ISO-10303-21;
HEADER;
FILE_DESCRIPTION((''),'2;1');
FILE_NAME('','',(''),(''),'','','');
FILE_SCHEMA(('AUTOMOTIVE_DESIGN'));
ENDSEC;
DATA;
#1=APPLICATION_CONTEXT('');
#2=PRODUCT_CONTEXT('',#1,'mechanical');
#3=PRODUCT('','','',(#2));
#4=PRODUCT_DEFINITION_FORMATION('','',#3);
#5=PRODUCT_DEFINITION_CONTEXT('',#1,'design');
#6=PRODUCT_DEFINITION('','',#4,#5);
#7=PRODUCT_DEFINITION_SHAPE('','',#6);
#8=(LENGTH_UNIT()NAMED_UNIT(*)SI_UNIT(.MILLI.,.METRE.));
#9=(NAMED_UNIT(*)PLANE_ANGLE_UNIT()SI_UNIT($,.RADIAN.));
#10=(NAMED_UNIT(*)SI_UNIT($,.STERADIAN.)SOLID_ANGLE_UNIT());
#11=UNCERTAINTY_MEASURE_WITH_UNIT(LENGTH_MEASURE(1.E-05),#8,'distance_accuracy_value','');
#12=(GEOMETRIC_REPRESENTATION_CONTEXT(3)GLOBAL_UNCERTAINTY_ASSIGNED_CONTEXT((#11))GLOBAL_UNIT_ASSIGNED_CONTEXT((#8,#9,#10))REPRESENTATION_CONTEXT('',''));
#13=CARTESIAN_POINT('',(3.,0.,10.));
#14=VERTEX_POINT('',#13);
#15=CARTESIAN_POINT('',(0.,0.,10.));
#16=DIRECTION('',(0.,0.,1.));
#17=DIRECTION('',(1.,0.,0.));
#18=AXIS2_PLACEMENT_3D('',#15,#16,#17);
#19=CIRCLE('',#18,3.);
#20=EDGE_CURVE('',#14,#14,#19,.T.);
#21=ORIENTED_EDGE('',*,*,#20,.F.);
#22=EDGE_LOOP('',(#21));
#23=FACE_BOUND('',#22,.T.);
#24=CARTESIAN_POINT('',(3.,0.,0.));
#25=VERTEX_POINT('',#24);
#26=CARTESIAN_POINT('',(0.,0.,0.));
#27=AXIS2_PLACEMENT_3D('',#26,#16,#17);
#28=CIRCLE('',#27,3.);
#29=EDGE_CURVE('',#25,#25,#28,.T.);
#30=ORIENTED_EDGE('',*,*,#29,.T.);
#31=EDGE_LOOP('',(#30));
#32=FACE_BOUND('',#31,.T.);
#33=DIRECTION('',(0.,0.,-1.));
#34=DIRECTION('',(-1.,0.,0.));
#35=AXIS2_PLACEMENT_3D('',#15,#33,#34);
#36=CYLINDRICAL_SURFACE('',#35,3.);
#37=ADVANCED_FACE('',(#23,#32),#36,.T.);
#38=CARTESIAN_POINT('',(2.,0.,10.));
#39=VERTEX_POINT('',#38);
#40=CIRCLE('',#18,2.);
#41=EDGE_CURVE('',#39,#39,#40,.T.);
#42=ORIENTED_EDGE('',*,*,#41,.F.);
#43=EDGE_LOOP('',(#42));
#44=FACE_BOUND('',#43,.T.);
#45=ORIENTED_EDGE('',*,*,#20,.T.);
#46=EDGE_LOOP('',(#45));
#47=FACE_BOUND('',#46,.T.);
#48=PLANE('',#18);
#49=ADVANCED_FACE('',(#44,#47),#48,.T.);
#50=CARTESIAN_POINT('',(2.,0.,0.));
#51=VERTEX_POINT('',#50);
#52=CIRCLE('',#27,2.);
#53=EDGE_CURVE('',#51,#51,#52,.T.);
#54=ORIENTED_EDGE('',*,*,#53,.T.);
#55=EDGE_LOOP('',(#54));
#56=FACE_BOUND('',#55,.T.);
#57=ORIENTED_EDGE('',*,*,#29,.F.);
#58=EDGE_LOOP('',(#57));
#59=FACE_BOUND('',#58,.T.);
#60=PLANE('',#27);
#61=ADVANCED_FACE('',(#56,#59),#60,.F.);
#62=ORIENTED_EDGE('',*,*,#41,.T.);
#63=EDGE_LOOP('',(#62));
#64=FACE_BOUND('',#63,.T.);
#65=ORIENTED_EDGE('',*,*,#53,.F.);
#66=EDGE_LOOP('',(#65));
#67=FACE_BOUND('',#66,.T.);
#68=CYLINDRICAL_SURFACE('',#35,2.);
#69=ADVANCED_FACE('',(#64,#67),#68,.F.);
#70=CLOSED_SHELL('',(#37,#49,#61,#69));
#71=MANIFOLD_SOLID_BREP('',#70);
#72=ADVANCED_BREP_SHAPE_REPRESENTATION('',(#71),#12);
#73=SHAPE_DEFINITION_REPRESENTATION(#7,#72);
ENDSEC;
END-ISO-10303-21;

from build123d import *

# Parameters (mm, degrees)
ESQUISSE1_R      = 3
ESQUISSE1_R_2    = 2
EXTRUSION1_DEPTH = 10


with BuildPart() as part:
    # Esquisse1 → Extrusion1 (new body)
    with BuildSketch(Plane.XY):
        Circle(ESQUISSE1_R)
        Circle(ESQUISSE1_R_2, mode=Mode.SUBTRACT)
    extrude(amount=EXTRUSION1_DEPTH)


solid = part.part
